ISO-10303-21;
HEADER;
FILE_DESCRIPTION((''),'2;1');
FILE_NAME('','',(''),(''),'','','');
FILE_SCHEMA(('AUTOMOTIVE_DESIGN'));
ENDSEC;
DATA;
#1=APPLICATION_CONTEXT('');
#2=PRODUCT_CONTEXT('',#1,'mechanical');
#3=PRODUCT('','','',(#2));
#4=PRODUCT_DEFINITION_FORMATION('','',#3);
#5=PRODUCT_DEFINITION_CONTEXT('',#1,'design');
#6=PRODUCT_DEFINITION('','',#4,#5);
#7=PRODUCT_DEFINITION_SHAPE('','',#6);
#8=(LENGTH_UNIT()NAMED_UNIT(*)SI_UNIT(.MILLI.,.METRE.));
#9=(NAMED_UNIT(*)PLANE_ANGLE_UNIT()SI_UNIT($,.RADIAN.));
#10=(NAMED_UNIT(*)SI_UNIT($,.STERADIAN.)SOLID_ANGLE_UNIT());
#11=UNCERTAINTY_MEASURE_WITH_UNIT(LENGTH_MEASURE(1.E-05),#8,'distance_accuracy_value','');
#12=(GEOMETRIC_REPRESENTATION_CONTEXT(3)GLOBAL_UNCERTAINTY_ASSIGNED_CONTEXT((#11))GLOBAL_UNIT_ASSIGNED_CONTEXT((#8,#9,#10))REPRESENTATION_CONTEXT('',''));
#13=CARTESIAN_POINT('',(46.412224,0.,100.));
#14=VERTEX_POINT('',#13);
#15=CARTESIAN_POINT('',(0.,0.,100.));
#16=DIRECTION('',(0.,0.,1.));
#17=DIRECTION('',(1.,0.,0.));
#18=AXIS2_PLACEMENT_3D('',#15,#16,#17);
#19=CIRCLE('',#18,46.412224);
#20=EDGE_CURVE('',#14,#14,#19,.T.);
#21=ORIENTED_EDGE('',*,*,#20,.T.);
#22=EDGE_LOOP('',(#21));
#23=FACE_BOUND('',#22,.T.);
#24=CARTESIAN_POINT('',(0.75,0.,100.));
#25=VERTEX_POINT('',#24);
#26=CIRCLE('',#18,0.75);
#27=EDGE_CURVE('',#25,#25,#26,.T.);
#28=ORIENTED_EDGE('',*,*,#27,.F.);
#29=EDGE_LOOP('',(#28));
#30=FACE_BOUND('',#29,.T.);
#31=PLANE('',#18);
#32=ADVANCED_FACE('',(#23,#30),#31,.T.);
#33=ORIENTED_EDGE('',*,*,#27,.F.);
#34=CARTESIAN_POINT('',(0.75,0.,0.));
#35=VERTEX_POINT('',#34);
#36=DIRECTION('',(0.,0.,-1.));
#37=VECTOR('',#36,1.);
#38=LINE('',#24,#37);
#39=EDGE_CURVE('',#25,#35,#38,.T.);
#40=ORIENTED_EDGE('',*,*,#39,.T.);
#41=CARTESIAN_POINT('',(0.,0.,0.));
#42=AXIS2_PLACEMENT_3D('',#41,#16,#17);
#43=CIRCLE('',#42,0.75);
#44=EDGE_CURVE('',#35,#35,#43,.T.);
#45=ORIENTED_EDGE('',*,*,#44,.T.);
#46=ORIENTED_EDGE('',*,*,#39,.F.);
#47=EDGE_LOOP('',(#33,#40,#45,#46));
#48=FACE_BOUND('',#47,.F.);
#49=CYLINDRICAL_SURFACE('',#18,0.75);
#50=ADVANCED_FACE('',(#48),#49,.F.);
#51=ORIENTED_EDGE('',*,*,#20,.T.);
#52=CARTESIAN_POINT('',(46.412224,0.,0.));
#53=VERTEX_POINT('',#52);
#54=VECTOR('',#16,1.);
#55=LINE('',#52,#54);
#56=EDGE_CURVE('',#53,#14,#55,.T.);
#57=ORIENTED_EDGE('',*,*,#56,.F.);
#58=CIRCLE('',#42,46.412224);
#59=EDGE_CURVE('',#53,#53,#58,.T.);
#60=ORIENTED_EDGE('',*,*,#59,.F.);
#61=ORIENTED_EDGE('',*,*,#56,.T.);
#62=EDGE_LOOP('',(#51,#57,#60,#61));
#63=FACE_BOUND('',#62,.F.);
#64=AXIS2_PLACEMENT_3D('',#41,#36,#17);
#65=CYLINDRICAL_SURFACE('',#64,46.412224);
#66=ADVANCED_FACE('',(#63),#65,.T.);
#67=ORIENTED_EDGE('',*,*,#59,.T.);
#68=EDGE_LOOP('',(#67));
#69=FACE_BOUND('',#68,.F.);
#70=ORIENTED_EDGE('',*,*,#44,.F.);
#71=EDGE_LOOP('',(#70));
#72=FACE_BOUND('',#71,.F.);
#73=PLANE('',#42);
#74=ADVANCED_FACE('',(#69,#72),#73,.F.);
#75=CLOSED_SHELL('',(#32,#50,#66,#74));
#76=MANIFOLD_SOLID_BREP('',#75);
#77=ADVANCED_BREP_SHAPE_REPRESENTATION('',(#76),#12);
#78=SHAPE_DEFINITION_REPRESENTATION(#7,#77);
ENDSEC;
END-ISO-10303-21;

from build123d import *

# Parameters (mm, degrees)
F0_R     = 46.412224
F1_DEPTH = 100
F3_R     = 0.75
F4_DEPTH = 100.001


with BuildPart() as f1:
    # F0 (on Top) → F1 (new body)
    with BuildSketch(Plane.XY):
        Circle(F0_R)
    extrude(amount=F1_DEPTH)

    # F3 (on offset) → F4 (cut, through all)
    with BuildSketch(Plane.XY.offset(100)):
        Circle(F3_R)
    extrude(amount=-F4_DEPTH, mode=Mode.SUBTRACT)


solid = f1.part
